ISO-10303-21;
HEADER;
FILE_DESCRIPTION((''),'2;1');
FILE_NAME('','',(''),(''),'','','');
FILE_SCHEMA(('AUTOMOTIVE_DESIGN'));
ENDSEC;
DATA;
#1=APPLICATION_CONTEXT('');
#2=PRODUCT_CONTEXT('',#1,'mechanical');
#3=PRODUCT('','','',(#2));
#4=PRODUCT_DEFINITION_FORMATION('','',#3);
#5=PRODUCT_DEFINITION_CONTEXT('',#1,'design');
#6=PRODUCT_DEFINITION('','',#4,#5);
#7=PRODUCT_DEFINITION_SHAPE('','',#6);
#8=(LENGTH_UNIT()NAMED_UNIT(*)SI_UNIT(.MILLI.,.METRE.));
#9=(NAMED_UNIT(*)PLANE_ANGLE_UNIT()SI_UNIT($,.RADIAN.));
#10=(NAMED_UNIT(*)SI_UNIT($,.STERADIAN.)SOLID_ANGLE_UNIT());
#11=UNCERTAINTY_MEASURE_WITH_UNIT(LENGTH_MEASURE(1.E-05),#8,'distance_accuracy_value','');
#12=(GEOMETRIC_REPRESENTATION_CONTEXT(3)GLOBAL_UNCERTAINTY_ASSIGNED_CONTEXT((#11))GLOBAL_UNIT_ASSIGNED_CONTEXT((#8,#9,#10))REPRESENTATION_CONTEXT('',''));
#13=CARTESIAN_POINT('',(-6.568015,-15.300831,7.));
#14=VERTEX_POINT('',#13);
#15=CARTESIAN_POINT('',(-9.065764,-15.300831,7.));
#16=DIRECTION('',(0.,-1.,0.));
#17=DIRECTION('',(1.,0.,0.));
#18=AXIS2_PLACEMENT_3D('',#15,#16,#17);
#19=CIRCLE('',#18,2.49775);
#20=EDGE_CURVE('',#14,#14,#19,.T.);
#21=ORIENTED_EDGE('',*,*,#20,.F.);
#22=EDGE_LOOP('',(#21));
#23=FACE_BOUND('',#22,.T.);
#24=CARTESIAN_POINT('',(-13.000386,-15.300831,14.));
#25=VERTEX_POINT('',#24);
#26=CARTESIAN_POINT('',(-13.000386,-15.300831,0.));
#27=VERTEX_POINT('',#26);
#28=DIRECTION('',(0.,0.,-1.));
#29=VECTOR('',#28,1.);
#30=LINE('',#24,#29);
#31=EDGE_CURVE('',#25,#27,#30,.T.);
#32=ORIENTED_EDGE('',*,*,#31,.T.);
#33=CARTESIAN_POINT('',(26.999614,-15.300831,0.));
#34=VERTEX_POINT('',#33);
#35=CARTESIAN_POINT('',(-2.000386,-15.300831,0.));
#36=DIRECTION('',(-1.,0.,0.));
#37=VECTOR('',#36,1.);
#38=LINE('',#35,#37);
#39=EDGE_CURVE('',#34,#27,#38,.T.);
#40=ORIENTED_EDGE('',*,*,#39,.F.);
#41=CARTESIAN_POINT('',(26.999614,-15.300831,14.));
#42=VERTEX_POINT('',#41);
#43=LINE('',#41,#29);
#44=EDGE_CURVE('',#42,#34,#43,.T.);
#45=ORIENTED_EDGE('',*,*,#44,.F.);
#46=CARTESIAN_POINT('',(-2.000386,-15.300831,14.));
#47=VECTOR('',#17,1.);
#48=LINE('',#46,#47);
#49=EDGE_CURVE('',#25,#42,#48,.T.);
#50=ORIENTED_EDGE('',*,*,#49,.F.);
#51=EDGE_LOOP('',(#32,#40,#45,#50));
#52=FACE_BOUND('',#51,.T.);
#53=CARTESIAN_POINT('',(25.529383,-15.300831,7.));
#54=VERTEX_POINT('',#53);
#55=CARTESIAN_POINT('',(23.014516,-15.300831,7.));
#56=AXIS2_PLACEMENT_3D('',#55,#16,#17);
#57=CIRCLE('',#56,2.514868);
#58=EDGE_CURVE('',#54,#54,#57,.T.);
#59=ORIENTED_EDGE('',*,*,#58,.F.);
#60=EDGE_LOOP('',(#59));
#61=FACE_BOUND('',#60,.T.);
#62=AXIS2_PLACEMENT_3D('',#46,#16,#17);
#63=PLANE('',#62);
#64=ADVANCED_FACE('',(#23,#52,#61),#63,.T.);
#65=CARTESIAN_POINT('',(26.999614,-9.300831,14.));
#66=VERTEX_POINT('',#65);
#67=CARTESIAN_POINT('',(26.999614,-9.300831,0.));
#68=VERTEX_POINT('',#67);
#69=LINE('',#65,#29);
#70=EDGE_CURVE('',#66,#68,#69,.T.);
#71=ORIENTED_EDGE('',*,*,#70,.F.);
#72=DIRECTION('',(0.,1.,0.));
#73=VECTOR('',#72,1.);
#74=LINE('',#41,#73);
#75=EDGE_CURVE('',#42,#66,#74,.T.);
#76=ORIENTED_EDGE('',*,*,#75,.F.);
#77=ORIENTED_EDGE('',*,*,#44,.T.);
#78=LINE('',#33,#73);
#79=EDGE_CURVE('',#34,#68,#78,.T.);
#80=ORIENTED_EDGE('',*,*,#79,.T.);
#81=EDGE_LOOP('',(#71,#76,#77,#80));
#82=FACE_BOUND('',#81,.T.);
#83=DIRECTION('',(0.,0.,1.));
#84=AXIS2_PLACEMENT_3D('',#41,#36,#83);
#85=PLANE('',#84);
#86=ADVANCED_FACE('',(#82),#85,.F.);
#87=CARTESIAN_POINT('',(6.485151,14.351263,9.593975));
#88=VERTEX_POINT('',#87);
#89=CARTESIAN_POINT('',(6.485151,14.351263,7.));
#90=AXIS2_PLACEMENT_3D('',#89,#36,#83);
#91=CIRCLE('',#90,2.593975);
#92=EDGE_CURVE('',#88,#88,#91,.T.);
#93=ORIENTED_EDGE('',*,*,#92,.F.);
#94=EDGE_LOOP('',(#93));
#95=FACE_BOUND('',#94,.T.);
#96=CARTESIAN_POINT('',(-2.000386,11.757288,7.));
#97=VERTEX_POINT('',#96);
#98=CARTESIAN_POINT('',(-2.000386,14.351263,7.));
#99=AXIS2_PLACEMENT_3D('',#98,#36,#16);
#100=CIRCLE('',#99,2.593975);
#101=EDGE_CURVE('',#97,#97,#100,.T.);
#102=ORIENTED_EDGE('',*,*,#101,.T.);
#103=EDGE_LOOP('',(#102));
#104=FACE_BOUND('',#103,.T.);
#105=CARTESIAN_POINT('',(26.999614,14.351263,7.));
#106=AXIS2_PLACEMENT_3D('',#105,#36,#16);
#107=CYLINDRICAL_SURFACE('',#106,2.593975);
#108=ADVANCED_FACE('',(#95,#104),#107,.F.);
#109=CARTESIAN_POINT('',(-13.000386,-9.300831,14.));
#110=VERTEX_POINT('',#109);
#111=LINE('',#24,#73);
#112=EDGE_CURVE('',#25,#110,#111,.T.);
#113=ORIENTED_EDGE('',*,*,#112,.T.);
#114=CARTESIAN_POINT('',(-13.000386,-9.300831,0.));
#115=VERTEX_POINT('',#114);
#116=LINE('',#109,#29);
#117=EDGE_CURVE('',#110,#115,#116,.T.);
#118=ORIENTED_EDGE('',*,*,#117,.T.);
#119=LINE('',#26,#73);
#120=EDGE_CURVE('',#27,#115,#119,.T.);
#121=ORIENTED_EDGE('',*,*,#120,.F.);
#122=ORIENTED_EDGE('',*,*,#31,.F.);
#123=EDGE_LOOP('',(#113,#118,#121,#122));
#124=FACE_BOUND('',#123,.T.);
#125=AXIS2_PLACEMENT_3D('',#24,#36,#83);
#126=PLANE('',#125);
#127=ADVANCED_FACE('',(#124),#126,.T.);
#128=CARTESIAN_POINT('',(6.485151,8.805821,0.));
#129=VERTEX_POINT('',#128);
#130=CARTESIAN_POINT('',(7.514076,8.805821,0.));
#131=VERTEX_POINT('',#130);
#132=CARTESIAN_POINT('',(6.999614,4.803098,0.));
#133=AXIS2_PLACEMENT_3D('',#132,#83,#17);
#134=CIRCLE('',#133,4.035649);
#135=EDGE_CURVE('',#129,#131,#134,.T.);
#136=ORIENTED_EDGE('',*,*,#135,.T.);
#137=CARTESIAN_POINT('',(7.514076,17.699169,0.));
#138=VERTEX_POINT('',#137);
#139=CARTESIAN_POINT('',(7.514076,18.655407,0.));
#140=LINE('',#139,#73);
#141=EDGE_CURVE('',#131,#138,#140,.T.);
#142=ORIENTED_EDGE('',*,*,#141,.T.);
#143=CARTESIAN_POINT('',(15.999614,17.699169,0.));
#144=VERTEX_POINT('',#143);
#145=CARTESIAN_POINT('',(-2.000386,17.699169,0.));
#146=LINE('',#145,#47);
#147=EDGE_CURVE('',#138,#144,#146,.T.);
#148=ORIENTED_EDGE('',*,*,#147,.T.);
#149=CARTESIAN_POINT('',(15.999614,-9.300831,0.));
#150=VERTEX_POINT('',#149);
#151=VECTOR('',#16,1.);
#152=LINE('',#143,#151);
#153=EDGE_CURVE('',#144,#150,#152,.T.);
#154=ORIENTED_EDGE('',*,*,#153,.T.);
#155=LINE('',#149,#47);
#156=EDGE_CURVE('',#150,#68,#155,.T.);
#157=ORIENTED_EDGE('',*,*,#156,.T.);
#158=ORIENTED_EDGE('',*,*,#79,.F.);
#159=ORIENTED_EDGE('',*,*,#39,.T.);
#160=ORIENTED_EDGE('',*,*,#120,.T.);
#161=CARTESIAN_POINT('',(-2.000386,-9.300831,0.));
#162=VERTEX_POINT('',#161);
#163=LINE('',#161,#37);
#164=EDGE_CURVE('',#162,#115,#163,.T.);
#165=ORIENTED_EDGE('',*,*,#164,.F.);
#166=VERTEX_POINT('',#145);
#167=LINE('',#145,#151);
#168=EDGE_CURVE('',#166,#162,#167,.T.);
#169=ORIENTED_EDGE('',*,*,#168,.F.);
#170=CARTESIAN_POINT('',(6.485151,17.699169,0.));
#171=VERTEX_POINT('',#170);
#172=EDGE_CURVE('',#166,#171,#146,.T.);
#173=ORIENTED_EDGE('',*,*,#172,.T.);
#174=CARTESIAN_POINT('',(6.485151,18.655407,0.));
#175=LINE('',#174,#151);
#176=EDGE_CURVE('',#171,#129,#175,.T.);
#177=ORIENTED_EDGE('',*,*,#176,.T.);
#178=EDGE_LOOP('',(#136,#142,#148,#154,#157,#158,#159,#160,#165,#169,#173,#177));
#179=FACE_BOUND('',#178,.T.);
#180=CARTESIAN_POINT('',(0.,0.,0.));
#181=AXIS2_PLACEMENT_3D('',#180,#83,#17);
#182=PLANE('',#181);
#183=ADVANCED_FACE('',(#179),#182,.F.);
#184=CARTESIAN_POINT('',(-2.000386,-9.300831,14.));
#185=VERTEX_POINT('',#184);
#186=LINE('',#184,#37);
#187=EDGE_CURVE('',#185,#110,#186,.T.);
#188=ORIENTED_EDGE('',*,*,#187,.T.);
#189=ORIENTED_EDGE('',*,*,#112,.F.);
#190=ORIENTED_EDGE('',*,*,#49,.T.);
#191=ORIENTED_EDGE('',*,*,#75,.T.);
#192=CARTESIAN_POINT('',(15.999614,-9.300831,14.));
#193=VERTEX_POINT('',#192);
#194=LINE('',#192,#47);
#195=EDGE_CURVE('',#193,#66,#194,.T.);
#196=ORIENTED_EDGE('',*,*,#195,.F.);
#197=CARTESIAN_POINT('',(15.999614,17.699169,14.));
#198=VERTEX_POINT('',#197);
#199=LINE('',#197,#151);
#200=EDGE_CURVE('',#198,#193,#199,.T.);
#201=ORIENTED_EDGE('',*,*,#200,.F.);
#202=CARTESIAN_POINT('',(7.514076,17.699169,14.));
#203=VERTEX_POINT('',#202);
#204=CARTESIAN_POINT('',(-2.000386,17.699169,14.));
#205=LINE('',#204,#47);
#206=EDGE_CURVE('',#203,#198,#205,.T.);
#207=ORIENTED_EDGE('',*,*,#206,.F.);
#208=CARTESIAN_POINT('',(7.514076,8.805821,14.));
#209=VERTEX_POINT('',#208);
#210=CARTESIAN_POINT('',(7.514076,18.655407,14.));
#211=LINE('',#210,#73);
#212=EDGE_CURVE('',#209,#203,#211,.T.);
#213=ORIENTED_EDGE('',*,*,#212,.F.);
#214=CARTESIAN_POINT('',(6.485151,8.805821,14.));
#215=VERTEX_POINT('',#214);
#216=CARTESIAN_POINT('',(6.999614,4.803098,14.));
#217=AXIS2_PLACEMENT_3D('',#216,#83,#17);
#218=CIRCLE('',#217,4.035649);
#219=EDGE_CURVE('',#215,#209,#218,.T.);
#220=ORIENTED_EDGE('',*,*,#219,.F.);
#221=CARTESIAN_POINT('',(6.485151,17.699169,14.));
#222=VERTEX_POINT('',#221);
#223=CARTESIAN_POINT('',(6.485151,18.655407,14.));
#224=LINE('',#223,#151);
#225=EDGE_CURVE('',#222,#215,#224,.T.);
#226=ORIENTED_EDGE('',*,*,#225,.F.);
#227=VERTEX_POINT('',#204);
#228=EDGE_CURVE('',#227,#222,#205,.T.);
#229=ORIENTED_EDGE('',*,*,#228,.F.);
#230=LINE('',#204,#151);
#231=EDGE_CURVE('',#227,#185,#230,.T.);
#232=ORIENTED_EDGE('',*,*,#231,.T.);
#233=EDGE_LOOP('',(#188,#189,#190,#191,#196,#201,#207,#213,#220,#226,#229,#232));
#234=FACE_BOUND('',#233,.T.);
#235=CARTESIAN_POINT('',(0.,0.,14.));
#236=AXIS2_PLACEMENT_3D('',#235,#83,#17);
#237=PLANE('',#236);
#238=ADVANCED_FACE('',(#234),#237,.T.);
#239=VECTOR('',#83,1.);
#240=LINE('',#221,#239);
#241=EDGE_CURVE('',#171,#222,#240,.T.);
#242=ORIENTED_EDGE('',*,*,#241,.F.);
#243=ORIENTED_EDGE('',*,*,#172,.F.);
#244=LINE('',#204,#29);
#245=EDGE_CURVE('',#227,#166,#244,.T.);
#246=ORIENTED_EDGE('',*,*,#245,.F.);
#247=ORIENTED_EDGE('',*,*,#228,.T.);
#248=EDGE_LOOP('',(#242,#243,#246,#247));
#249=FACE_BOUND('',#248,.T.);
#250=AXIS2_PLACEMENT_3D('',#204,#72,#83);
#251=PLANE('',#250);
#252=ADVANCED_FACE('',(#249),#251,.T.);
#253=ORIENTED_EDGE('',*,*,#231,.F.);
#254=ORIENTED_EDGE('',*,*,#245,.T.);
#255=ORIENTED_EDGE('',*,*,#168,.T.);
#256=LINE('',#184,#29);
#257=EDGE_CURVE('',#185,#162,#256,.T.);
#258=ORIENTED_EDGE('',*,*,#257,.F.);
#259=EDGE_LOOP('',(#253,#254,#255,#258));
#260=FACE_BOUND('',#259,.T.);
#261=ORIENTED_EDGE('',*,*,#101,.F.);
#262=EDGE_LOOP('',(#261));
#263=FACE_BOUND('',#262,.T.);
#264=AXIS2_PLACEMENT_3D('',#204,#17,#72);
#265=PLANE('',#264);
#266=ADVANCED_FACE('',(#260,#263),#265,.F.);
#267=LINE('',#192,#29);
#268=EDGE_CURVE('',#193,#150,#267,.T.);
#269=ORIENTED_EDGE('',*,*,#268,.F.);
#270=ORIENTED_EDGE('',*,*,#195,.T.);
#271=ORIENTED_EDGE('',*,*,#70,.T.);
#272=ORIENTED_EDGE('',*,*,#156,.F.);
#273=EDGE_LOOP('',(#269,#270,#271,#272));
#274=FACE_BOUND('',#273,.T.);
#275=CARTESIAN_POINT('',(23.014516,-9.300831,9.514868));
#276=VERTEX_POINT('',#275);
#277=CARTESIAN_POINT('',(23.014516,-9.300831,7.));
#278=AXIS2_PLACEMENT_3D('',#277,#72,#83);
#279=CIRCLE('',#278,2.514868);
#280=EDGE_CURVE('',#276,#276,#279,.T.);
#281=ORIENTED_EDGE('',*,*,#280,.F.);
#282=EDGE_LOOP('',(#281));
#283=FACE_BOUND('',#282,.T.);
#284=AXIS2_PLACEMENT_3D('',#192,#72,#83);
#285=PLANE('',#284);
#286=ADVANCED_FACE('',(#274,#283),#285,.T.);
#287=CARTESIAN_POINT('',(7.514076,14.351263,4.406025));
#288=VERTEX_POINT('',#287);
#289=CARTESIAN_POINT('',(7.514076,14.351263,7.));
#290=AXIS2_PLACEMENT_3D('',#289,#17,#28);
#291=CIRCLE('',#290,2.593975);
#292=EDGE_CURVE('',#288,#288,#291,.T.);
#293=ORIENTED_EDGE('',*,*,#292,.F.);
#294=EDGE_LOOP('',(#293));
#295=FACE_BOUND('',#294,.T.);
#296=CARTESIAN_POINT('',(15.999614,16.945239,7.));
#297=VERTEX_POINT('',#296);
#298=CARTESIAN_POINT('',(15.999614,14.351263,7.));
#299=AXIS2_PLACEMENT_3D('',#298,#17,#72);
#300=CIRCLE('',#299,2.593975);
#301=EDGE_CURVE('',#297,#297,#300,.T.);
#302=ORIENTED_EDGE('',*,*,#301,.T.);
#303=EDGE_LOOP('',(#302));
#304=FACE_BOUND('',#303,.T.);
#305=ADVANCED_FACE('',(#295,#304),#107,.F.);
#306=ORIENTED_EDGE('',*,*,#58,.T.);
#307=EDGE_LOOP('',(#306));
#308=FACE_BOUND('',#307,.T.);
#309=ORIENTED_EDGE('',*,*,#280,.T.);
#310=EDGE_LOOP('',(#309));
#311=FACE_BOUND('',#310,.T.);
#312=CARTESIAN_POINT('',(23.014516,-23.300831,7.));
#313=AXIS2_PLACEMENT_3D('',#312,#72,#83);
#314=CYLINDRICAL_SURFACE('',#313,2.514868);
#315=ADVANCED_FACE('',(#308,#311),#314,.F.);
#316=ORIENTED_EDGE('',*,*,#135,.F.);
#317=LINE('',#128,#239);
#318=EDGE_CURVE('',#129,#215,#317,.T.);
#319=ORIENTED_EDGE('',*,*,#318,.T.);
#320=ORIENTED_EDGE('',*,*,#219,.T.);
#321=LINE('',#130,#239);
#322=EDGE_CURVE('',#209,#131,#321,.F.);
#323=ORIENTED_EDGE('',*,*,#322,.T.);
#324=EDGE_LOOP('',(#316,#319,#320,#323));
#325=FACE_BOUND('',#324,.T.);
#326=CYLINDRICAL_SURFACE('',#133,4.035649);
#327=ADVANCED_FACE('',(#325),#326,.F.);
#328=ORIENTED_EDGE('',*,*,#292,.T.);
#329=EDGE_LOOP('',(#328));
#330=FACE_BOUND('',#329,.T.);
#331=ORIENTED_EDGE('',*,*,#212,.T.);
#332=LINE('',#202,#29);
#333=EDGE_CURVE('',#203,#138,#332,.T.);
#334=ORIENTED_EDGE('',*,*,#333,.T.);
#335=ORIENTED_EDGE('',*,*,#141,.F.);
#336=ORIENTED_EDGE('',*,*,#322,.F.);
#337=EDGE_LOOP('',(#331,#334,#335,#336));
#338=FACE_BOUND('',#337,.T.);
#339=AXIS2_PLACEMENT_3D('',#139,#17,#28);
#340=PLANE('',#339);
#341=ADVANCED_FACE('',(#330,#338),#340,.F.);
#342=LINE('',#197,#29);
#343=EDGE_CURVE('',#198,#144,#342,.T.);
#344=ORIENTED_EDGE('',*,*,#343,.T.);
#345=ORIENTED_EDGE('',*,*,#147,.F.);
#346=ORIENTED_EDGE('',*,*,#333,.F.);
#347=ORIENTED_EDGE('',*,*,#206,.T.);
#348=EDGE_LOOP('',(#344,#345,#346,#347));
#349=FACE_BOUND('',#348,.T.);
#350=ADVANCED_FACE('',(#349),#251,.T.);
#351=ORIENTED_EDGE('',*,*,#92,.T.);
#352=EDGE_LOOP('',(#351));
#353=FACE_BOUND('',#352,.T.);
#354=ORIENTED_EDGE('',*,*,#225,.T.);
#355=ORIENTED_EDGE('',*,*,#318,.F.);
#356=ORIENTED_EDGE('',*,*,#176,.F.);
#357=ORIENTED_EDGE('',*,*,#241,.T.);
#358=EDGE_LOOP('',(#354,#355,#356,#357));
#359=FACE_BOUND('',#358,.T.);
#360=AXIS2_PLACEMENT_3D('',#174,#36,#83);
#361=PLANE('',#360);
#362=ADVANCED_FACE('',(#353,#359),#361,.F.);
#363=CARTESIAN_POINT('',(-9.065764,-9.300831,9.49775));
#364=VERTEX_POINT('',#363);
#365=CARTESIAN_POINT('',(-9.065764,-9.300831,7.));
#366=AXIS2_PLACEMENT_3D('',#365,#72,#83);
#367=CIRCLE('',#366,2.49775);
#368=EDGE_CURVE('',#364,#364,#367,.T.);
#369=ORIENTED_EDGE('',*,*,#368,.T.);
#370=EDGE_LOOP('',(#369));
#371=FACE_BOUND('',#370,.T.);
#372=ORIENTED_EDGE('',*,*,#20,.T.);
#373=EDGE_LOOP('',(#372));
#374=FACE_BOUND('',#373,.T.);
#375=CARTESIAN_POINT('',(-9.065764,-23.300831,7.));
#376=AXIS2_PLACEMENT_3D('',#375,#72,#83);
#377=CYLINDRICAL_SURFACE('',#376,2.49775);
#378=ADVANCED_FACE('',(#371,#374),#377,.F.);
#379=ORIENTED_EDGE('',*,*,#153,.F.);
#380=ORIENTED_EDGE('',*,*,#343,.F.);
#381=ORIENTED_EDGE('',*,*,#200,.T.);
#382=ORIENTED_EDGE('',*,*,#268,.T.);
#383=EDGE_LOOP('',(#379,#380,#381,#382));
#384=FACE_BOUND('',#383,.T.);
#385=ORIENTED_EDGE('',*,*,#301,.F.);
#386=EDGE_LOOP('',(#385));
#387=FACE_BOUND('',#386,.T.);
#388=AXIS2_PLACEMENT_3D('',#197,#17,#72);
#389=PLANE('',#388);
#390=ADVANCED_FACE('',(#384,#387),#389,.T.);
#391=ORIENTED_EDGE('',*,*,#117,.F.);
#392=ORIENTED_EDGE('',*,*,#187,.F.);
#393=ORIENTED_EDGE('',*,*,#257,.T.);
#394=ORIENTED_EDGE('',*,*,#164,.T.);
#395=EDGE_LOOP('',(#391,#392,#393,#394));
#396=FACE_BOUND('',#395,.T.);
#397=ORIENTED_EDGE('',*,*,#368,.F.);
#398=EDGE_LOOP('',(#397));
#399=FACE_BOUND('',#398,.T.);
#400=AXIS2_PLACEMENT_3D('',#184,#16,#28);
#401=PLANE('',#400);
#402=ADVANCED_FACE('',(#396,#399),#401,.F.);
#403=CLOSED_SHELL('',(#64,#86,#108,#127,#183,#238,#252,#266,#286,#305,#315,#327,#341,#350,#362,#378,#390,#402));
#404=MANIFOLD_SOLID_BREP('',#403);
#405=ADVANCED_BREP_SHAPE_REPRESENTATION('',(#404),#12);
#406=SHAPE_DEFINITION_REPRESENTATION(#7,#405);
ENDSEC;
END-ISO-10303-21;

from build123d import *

# Parameters (mm, degrees)
SALIENTE_EXTRUIR1_DEPTH = 14
CROQUIS2_R              = 4.035649311
CORTAR_EXTRUIR1_DEPTH   = 14
CROQUIS5_R              = 2.497749653
CORTAR_EXTRUIR2_DEPTH   = 14
CROQUIS7_R              = 2.514867633
CORTAR_EXTRUIR3_DEPTH   = 14
CROQUIS8_W              = 1.02892534
CROQUIS8_H              = 10.439450899
CORTAR_EXTRUIR4_DEPTH   = 14
CROQUIS9_R              = 2.593975345
CORTAR_EXTRUIR5_DEPTH   = 30


with BuildPart() as part:
    # Croquis1 → Saliente-Extruir1 (new body)
    with BuildSketch(Plane.XY):
        Polygon((-2.000386176, 17.69916911), (15.999613824, 17.69916911), (15.999613824, -9.30083089), (26.999613824, -9.30083089), (26.999613824, -15.30083089), (15.999613824, -15.30083089), (-2.000386176, -15.30083089), (-13.000386176, -15.30083089), (-13.000386176, -9.30083089), (-2.000386176, -9.30083089), align=None)
    extrude(amount=SALIENTE_EXTRUIR1_DEPTH)

    # Croquis2 → Cortar-Extruir1 (cut)
    with BuildSketch(Plane.XY.offset(14)):
        with Locations((6.999613824, 4.803097651)):
            Circle(CROQUIS2_R)
    extrude(amount=-CORTAR_EXTRUIR1_DEPTH, mode=Mode.SUBTRACT)

    # Croquis5 → Cortar-Extruir2 (cut)
    with BuildSketch(Plane(origin=(0, -9.30083089, 0), x_dir=(1, 0, 0), z_dir=(0, 1, 0))):
        with Locations((-9.06576441, -7)):
            Circle(CROQUIS5_R)
    extrude(amount=-CORTAR_EXTRUIR2_DEPTH, mode=Mode.SUBTRACT)

    # Croquis7 → Cortar-Extruir3 (cut)
    with BuildSketch(Plane(origin=(0, -9.30083089, 0), x_dir=(1, 0, 0), z_dir=(0, 1, 0))):
        with Locations((23.014515722, -7)):
            Circle(CROQUIS7_R)
    extrude(amount=-CORTAR_EXTRUIR3_DEPTH, mode=Mode.SUBTRACT)

    # Croquis8 → Cortar-Extruir4 (cut)
    with BuildSketch(Plane.XY.offset(14)):
        with Locations((6.999613824, 13.435682)):
            Rectangle(CROQUIS8_W, CROQUIS8_H)
    extrude(amount=-CORTAR_EXTRUIR4_DEPTH, mode=Mode.SUBTRACT)

    # Croquis9 → Cortar-Extruir5 (cut, through all)
    with BuildSketch(Plane.ZY.offset(2.000386176)):
        with Locations((7, 14.351263228)):
            Circle(CROQUIS9_R)
    extrude(amount=-CORTAR_EXTRUIR5_DEPTH, mode=Mode.SUBTRACT)


solid = part.part
